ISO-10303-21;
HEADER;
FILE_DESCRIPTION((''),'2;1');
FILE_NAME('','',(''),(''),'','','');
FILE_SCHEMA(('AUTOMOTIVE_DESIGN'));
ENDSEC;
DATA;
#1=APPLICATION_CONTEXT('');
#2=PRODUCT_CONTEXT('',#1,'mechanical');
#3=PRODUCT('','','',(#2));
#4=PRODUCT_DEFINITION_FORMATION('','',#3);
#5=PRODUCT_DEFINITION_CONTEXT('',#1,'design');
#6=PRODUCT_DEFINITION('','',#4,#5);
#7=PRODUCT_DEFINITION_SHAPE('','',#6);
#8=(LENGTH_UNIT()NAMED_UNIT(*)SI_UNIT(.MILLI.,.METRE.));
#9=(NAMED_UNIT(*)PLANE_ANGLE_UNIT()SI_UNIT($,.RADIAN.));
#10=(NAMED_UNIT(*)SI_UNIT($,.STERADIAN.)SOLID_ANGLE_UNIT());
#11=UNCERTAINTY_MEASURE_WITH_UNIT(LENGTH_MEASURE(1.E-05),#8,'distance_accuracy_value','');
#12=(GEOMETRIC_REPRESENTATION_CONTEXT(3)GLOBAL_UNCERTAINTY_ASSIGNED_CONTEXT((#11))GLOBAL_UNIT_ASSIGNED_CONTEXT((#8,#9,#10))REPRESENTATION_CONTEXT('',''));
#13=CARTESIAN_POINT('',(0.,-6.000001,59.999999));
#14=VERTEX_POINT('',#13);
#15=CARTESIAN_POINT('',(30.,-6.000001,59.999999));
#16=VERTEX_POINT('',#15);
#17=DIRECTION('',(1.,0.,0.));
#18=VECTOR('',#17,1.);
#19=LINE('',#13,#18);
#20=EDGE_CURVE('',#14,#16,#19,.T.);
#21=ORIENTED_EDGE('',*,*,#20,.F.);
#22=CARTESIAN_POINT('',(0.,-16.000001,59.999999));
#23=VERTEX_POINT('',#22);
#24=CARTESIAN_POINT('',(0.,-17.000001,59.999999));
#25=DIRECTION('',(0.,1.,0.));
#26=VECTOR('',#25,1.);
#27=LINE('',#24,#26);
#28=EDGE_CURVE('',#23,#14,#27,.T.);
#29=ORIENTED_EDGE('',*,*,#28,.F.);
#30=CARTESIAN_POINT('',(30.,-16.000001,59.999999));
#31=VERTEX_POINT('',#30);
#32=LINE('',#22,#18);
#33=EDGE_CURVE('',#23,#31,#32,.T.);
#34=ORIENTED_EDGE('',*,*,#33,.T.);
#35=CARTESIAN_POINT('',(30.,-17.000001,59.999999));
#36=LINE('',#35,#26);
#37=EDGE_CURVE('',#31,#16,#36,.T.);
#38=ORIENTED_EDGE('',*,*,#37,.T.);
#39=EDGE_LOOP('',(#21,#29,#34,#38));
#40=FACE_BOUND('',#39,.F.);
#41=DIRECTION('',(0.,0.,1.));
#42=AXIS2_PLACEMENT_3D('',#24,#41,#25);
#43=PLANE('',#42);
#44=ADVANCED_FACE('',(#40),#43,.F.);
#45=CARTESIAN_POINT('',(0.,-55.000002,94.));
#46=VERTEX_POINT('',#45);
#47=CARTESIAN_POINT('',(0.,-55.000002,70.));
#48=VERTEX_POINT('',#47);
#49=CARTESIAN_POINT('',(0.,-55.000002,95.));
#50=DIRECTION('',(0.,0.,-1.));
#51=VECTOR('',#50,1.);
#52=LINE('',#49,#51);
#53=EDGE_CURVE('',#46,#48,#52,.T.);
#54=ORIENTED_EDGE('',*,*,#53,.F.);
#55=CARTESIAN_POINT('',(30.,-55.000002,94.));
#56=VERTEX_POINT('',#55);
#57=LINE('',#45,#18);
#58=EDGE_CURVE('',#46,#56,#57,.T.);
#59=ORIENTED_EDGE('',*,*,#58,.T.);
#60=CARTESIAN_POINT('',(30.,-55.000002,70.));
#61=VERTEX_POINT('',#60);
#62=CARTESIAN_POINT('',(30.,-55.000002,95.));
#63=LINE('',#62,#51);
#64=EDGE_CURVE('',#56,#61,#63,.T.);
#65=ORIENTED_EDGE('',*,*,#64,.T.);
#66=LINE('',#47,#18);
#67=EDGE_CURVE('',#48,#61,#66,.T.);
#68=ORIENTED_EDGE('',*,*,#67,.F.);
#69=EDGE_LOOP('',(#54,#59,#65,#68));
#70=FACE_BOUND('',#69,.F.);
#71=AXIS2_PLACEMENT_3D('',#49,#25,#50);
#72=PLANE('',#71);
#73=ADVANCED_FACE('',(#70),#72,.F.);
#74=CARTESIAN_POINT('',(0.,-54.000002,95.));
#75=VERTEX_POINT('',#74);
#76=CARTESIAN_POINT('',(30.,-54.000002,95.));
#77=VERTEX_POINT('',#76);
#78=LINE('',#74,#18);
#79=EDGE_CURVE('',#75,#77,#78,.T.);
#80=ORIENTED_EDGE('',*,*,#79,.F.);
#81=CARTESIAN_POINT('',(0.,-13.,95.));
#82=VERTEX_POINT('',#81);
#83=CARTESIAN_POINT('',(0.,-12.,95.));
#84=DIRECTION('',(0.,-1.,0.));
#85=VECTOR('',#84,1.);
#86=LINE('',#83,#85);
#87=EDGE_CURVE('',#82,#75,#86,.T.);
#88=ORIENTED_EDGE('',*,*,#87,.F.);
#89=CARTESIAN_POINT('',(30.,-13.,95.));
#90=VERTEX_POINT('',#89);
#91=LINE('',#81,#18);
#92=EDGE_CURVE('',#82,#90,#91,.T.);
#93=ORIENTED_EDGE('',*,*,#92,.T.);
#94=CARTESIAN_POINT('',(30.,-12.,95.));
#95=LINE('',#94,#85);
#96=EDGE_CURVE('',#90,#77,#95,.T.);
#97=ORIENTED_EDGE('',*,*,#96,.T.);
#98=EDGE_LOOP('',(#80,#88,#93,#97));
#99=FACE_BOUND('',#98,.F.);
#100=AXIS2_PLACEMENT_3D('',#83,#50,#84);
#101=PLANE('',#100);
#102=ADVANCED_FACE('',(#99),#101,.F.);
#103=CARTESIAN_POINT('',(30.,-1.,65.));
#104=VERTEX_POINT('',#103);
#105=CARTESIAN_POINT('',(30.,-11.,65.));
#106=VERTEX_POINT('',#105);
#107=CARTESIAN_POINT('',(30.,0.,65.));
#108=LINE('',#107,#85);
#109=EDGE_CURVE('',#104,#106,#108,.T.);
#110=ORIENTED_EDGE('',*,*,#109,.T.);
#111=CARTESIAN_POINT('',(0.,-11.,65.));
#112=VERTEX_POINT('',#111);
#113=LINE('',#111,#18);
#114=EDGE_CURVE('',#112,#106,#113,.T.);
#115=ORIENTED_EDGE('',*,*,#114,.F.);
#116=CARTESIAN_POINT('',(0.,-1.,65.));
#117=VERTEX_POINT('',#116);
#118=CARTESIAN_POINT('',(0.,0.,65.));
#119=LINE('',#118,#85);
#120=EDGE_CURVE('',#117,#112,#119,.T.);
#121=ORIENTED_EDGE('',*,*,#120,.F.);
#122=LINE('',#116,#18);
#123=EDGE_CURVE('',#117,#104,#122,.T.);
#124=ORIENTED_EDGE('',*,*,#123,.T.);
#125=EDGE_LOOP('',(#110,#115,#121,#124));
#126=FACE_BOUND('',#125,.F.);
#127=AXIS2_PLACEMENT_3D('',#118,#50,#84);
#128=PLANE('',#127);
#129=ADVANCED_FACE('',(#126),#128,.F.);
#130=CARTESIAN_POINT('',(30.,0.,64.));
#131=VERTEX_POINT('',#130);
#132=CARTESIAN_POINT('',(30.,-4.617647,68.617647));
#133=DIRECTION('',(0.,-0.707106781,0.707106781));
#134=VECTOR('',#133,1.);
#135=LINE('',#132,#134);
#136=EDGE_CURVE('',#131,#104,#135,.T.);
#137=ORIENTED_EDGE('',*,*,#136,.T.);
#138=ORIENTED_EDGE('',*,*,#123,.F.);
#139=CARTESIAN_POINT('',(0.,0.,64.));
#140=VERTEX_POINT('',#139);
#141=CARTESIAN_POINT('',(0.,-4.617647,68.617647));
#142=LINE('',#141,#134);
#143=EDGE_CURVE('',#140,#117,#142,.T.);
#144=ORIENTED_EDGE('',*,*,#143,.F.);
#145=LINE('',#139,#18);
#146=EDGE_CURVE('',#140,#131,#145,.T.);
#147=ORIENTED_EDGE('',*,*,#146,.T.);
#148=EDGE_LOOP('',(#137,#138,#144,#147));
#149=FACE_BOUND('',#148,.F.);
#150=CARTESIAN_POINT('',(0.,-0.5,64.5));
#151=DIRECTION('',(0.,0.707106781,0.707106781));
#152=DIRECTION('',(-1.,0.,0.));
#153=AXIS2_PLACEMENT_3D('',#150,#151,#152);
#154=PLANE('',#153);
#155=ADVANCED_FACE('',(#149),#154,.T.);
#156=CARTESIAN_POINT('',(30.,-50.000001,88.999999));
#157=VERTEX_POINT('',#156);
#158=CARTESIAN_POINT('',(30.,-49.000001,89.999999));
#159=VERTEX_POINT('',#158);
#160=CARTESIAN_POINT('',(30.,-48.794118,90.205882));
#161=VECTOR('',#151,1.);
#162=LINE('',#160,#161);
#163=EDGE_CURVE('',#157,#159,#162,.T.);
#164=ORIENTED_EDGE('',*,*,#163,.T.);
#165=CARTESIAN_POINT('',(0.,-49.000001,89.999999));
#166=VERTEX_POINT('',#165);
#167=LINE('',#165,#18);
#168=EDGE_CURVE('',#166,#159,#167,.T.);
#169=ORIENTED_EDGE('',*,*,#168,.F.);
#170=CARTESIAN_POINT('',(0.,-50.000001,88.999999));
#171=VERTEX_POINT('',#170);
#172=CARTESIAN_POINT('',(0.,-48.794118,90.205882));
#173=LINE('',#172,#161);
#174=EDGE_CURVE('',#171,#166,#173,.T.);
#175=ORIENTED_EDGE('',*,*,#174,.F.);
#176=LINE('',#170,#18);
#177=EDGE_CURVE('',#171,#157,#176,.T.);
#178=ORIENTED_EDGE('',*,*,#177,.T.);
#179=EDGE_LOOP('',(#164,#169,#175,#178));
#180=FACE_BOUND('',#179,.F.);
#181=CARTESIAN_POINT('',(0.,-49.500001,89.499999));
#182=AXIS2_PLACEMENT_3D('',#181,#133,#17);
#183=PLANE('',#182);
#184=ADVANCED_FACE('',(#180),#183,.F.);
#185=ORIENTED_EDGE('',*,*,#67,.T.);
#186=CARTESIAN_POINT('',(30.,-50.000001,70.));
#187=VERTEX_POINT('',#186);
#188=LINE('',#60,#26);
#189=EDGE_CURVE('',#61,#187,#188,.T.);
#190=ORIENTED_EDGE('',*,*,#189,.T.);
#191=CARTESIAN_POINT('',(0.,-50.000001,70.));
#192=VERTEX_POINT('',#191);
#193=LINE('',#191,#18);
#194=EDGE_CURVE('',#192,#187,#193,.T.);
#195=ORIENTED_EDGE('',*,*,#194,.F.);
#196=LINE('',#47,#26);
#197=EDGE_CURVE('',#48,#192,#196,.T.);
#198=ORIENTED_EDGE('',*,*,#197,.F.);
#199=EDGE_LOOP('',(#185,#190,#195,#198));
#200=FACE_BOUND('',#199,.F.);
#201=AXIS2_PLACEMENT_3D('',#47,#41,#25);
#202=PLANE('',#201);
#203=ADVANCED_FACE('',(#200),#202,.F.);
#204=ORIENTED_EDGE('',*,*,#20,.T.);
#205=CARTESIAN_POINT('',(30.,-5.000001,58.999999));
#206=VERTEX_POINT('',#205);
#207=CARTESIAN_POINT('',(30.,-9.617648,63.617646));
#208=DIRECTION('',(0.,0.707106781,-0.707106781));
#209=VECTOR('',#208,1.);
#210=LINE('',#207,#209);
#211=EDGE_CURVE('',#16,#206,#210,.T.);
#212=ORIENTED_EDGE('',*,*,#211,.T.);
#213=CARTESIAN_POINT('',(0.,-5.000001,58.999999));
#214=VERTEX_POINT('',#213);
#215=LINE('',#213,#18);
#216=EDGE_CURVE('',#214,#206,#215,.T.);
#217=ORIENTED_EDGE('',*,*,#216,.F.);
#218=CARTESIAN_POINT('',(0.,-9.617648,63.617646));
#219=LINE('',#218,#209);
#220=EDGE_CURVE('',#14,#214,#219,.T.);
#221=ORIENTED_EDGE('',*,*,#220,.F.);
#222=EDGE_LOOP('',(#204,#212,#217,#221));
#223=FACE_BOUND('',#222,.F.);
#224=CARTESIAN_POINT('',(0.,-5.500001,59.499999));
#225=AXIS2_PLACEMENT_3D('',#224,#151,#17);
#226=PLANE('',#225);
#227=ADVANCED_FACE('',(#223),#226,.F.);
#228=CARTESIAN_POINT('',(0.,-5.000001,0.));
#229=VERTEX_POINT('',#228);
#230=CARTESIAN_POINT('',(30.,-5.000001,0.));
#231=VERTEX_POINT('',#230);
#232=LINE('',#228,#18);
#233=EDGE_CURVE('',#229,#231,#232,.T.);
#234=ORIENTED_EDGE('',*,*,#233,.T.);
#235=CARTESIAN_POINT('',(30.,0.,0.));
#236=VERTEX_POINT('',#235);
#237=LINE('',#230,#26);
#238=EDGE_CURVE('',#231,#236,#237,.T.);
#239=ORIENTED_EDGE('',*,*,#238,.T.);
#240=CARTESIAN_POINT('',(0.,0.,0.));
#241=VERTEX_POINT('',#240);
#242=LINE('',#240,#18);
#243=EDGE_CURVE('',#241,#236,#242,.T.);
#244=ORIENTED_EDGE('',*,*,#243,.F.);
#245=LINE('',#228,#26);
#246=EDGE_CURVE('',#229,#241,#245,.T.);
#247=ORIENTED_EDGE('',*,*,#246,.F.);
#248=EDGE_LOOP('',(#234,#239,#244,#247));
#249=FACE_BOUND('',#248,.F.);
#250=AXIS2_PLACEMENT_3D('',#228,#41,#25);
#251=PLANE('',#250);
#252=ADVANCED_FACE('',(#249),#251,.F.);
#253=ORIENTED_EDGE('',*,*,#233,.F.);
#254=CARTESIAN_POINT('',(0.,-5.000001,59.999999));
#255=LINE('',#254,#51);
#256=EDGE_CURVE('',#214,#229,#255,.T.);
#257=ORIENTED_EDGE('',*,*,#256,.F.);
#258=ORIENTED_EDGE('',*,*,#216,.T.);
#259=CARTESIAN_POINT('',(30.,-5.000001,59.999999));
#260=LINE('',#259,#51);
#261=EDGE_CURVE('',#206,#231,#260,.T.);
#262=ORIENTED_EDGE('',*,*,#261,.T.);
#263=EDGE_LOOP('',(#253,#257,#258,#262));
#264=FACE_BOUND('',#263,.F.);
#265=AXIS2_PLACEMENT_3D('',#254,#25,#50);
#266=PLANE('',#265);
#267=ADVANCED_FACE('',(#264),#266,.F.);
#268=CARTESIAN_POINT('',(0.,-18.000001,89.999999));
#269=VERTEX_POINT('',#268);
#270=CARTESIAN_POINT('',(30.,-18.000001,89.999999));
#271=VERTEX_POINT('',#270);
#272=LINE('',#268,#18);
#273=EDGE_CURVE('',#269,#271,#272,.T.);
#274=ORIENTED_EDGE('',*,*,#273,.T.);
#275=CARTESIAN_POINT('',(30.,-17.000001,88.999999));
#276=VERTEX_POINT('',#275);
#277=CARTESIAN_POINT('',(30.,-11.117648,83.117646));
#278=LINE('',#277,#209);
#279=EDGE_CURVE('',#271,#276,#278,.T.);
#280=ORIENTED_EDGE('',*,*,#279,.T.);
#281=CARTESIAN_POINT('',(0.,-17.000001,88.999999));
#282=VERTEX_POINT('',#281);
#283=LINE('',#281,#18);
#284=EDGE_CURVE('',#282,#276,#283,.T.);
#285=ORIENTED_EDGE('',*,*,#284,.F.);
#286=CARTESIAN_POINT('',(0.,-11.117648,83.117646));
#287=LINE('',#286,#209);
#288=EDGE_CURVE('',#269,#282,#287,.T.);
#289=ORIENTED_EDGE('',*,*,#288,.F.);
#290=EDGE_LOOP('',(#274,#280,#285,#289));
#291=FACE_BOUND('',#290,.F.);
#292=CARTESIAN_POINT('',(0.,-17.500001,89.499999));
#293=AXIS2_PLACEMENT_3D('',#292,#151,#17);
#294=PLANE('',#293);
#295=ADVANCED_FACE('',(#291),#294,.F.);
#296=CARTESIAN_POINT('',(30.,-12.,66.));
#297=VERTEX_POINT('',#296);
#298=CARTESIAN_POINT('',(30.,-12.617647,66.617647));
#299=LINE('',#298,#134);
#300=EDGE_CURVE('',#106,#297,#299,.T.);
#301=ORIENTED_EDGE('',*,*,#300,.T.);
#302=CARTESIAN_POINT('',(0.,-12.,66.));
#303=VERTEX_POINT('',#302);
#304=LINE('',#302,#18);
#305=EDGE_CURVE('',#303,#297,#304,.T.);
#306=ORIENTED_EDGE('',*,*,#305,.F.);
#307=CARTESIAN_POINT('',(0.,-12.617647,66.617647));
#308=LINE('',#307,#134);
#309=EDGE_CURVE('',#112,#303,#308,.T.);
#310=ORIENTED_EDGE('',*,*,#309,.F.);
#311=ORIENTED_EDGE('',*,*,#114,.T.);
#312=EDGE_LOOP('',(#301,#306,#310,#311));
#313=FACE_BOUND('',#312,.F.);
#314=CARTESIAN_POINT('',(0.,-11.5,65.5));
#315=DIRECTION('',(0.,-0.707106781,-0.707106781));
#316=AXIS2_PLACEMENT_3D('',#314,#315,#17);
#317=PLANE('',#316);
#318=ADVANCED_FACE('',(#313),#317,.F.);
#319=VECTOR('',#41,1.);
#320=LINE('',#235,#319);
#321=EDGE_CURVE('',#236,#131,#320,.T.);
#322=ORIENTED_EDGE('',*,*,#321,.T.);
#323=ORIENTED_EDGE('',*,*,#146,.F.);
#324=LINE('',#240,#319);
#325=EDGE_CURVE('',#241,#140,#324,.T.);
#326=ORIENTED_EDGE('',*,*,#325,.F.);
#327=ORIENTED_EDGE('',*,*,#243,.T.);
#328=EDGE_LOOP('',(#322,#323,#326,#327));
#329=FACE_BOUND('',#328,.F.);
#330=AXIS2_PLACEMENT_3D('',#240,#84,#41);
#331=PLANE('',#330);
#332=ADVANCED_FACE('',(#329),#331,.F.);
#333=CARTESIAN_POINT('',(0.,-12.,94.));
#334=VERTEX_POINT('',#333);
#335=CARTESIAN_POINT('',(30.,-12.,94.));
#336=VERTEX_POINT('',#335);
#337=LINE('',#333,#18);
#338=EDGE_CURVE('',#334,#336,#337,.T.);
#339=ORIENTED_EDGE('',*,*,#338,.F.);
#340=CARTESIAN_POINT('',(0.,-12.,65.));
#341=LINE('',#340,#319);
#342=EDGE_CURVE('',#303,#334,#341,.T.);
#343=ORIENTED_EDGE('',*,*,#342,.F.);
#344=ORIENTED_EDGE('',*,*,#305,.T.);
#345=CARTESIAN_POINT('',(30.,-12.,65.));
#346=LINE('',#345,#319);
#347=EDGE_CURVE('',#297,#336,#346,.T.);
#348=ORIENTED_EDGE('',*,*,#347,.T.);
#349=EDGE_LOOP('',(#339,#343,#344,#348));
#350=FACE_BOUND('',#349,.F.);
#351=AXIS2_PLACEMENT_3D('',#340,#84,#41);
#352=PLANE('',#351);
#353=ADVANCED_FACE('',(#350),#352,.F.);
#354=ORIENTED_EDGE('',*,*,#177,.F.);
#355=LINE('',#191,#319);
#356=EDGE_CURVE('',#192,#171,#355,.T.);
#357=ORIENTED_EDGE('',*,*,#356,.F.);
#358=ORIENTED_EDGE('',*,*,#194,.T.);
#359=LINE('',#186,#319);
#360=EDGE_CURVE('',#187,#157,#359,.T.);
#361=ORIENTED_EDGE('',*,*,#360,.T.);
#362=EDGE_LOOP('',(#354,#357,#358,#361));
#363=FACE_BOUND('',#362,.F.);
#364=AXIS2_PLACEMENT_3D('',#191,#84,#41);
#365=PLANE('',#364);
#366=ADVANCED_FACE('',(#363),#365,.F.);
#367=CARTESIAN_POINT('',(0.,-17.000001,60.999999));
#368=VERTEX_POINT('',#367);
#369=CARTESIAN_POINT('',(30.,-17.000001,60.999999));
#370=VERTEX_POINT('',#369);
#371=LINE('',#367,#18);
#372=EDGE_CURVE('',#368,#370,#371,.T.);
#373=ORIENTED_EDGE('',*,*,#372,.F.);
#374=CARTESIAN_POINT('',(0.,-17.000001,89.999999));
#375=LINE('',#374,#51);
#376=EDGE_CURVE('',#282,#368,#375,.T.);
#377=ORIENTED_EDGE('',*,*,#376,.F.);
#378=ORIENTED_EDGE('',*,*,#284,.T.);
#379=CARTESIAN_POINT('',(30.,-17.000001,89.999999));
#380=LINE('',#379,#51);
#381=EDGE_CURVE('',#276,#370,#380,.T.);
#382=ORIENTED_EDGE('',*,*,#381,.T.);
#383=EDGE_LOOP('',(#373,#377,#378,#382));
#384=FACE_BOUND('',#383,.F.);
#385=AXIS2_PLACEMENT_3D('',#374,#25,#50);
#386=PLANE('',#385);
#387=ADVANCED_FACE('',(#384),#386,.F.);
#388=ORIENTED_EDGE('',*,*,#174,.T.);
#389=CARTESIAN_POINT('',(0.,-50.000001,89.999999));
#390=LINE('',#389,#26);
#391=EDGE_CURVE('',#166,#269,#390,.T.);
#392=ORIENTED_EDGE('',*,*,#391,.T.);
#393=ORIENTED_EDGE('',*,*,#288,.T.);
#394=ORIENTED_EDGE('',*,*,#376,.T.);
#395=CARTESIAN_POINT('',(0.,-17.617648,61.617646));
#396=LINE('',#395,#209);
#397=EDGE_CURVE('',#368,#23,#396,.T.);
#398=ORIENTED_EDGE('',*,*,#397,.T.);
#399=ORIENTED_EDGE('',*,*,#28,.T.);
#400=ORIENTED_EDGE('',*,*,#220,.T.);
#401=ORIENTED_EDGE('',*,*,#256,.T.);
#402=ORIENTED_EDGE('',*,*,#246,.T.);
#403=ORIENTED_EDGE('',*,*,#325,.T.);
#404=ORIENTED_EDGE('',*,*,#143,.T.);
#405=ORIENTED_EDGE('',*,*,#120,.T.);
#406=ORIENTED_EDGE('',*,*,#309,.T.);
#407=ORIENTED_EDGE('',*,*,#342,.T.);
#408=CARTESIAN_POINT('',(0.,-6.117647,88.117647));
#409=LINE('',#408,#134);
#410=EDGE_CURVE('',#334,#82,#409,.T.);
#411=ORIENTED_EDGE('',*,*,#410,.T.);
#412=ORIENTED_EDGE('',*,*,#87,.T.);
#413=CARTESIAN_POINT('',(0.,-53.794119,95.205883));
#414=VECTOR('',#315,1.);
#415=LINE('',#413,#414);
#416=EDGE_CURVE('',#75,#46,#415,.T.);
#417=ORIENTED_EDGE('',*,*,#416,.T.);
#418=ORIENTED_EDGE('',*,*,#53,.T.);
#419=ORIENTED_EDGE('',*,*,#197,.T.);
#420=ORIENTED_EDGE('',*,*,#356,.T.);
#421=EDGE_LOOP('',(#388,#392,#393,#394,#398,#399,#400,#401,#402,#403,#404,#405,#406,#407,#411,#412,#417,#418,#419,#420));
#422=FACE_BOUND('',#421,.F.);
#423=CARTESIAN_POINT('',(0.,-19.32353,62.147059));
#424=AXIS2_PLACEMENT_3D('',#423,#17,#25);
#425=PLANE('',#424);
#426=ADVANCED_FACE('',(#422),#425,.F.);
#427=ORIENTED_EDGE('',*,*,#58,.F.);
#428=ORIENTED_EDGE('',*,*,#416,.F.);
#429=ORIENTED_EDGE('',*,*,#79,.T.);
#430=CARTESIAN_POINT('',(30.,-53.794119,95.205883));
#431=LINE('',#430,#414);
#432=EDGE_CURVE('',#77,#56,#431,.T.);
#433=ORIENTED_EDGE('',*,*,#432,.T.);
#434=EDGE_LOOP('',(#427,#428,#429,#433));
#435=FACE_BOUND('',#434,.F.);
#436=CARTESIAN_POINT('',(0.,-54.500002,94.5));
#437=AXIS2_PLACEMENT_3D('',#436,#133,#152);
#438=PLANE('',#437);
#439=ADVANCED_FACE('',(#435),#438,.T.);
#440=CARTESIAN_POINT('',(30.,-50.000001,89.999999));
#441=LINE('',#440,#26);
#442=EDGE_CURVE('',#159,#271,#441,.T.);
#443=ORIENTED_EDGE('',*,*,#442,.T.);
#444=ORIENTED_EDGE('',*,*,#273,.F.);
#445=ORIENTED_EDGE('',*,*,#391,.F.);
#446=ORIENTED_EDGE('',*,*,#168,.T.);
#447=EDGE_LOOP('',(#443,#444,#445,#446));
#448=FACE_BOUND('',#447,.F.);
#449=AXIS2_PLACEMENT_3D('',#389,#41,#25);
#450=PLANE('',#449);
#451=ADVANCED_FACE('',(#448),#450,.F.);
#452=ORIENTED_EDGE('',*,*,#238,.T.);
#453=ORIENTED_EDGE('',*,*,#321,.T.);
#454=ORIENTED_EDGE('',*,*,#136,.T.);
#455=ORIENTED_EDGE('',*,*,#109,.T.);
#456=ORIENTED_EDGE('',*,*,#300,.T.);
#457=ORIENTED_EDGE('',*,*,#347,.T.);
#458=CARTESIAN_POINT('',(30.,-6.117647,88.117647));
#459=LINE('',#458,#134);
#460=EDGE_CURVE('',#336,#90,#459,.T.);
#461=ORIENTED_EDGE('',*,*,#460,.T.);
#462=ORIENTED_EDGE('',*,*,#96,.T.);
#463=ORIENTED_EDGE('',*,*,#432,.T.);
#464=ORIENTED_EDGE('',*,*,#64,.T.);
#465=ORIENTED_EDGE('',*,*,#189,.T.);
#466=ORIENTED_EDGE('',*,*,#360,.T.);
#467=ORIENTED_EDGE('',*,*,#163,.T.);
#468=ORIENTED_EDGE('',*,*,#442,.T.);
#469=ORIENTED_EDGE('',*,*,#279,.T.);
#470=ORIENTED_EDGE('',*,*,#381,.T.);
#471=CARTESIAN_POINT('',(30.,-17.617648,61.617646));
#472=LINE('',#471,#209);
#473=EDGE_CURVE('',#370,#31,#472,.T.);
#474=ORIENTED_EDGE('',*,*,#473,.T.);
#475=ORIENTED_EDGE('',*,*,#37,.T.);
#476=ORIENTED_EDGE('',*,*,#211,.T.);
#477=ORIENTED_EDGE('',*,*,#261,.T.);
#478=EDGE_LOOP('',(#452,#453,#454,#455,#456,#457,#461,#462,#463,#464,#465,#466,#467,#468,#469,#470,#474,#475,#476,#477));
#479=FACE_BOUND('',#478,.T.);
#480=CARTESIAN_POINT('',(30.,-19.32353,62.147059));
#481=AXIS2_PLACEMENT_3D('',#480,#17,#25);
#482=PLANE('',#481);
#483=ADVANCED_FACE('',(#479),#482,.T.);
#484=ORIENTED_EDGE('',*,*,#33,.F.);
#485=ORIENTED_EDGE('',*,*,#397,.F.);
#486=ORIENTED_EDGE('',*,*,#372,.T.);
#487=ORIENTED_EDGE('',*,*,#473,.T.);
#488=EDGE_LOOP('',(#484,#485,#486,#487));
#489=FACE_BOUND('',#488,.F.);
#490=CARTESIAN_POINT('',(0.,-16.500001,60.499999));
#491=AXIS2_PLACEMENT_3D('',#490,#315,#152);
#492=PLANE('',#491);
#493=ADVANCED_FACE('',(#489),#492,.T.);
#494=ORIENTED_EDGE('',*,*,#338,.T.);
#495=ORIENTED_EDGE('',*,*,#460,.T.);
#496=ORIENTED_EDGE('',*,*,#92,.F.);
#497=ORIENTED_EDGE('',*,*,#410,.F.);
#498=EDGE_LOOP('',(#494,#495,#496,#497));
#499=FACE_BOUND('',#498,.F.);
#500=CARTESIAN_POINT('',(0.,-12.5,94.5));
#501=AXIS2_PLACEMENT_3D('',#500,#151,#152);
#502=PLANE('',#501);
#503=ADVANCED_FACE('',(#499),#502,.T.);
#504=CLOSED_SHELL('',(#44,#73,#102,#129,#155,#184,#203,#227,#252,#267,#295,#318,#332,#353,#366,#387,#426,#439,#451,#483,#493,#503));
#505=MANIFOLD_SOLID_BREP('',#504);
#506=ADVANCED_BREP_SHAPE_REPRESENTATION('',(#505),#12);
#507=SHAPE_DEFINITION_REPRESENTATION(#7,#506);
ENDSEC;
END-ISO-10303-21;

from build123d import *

# Parameters (mm, degrees)
F1_DEPTH = 30
F2_SIZE  = 1


with BuildPart() as f1:
    # F0 (on Right) → F1 (new body)
    with BuildSketch(Plane.YZ):
        Polygon((-5.000001, 0), (0, 0), (0, 65), (-12, 65), (-12, 95), (-55.000002, 95), (-55.000002, 70), (-50.000001, 70), (-50.000001, 89.999999), (-17.000001, 89.999999), (-17.000001, 59.999999), (-5.000001, 59.999999), align=None)
    extrude(amount=F1_DEPTH)

    # F2
    f2_edges = [f1.edges().sort_by_distance(p)[0] for p in [
        (15, -17.000001, 59.999999),
        (15, -12, 65),
        (15, 0, 65),
        (15, -12, 95),
        (15, -55.000002, 95),
        (15, -5.000001, 59.999999),
        (15, -17.000001, 89.999999),
        (15, -50.000001, 89.999999),
    ]]
    chamfer(f2_edges, length=F2_SIZE)


solid = f1.part
